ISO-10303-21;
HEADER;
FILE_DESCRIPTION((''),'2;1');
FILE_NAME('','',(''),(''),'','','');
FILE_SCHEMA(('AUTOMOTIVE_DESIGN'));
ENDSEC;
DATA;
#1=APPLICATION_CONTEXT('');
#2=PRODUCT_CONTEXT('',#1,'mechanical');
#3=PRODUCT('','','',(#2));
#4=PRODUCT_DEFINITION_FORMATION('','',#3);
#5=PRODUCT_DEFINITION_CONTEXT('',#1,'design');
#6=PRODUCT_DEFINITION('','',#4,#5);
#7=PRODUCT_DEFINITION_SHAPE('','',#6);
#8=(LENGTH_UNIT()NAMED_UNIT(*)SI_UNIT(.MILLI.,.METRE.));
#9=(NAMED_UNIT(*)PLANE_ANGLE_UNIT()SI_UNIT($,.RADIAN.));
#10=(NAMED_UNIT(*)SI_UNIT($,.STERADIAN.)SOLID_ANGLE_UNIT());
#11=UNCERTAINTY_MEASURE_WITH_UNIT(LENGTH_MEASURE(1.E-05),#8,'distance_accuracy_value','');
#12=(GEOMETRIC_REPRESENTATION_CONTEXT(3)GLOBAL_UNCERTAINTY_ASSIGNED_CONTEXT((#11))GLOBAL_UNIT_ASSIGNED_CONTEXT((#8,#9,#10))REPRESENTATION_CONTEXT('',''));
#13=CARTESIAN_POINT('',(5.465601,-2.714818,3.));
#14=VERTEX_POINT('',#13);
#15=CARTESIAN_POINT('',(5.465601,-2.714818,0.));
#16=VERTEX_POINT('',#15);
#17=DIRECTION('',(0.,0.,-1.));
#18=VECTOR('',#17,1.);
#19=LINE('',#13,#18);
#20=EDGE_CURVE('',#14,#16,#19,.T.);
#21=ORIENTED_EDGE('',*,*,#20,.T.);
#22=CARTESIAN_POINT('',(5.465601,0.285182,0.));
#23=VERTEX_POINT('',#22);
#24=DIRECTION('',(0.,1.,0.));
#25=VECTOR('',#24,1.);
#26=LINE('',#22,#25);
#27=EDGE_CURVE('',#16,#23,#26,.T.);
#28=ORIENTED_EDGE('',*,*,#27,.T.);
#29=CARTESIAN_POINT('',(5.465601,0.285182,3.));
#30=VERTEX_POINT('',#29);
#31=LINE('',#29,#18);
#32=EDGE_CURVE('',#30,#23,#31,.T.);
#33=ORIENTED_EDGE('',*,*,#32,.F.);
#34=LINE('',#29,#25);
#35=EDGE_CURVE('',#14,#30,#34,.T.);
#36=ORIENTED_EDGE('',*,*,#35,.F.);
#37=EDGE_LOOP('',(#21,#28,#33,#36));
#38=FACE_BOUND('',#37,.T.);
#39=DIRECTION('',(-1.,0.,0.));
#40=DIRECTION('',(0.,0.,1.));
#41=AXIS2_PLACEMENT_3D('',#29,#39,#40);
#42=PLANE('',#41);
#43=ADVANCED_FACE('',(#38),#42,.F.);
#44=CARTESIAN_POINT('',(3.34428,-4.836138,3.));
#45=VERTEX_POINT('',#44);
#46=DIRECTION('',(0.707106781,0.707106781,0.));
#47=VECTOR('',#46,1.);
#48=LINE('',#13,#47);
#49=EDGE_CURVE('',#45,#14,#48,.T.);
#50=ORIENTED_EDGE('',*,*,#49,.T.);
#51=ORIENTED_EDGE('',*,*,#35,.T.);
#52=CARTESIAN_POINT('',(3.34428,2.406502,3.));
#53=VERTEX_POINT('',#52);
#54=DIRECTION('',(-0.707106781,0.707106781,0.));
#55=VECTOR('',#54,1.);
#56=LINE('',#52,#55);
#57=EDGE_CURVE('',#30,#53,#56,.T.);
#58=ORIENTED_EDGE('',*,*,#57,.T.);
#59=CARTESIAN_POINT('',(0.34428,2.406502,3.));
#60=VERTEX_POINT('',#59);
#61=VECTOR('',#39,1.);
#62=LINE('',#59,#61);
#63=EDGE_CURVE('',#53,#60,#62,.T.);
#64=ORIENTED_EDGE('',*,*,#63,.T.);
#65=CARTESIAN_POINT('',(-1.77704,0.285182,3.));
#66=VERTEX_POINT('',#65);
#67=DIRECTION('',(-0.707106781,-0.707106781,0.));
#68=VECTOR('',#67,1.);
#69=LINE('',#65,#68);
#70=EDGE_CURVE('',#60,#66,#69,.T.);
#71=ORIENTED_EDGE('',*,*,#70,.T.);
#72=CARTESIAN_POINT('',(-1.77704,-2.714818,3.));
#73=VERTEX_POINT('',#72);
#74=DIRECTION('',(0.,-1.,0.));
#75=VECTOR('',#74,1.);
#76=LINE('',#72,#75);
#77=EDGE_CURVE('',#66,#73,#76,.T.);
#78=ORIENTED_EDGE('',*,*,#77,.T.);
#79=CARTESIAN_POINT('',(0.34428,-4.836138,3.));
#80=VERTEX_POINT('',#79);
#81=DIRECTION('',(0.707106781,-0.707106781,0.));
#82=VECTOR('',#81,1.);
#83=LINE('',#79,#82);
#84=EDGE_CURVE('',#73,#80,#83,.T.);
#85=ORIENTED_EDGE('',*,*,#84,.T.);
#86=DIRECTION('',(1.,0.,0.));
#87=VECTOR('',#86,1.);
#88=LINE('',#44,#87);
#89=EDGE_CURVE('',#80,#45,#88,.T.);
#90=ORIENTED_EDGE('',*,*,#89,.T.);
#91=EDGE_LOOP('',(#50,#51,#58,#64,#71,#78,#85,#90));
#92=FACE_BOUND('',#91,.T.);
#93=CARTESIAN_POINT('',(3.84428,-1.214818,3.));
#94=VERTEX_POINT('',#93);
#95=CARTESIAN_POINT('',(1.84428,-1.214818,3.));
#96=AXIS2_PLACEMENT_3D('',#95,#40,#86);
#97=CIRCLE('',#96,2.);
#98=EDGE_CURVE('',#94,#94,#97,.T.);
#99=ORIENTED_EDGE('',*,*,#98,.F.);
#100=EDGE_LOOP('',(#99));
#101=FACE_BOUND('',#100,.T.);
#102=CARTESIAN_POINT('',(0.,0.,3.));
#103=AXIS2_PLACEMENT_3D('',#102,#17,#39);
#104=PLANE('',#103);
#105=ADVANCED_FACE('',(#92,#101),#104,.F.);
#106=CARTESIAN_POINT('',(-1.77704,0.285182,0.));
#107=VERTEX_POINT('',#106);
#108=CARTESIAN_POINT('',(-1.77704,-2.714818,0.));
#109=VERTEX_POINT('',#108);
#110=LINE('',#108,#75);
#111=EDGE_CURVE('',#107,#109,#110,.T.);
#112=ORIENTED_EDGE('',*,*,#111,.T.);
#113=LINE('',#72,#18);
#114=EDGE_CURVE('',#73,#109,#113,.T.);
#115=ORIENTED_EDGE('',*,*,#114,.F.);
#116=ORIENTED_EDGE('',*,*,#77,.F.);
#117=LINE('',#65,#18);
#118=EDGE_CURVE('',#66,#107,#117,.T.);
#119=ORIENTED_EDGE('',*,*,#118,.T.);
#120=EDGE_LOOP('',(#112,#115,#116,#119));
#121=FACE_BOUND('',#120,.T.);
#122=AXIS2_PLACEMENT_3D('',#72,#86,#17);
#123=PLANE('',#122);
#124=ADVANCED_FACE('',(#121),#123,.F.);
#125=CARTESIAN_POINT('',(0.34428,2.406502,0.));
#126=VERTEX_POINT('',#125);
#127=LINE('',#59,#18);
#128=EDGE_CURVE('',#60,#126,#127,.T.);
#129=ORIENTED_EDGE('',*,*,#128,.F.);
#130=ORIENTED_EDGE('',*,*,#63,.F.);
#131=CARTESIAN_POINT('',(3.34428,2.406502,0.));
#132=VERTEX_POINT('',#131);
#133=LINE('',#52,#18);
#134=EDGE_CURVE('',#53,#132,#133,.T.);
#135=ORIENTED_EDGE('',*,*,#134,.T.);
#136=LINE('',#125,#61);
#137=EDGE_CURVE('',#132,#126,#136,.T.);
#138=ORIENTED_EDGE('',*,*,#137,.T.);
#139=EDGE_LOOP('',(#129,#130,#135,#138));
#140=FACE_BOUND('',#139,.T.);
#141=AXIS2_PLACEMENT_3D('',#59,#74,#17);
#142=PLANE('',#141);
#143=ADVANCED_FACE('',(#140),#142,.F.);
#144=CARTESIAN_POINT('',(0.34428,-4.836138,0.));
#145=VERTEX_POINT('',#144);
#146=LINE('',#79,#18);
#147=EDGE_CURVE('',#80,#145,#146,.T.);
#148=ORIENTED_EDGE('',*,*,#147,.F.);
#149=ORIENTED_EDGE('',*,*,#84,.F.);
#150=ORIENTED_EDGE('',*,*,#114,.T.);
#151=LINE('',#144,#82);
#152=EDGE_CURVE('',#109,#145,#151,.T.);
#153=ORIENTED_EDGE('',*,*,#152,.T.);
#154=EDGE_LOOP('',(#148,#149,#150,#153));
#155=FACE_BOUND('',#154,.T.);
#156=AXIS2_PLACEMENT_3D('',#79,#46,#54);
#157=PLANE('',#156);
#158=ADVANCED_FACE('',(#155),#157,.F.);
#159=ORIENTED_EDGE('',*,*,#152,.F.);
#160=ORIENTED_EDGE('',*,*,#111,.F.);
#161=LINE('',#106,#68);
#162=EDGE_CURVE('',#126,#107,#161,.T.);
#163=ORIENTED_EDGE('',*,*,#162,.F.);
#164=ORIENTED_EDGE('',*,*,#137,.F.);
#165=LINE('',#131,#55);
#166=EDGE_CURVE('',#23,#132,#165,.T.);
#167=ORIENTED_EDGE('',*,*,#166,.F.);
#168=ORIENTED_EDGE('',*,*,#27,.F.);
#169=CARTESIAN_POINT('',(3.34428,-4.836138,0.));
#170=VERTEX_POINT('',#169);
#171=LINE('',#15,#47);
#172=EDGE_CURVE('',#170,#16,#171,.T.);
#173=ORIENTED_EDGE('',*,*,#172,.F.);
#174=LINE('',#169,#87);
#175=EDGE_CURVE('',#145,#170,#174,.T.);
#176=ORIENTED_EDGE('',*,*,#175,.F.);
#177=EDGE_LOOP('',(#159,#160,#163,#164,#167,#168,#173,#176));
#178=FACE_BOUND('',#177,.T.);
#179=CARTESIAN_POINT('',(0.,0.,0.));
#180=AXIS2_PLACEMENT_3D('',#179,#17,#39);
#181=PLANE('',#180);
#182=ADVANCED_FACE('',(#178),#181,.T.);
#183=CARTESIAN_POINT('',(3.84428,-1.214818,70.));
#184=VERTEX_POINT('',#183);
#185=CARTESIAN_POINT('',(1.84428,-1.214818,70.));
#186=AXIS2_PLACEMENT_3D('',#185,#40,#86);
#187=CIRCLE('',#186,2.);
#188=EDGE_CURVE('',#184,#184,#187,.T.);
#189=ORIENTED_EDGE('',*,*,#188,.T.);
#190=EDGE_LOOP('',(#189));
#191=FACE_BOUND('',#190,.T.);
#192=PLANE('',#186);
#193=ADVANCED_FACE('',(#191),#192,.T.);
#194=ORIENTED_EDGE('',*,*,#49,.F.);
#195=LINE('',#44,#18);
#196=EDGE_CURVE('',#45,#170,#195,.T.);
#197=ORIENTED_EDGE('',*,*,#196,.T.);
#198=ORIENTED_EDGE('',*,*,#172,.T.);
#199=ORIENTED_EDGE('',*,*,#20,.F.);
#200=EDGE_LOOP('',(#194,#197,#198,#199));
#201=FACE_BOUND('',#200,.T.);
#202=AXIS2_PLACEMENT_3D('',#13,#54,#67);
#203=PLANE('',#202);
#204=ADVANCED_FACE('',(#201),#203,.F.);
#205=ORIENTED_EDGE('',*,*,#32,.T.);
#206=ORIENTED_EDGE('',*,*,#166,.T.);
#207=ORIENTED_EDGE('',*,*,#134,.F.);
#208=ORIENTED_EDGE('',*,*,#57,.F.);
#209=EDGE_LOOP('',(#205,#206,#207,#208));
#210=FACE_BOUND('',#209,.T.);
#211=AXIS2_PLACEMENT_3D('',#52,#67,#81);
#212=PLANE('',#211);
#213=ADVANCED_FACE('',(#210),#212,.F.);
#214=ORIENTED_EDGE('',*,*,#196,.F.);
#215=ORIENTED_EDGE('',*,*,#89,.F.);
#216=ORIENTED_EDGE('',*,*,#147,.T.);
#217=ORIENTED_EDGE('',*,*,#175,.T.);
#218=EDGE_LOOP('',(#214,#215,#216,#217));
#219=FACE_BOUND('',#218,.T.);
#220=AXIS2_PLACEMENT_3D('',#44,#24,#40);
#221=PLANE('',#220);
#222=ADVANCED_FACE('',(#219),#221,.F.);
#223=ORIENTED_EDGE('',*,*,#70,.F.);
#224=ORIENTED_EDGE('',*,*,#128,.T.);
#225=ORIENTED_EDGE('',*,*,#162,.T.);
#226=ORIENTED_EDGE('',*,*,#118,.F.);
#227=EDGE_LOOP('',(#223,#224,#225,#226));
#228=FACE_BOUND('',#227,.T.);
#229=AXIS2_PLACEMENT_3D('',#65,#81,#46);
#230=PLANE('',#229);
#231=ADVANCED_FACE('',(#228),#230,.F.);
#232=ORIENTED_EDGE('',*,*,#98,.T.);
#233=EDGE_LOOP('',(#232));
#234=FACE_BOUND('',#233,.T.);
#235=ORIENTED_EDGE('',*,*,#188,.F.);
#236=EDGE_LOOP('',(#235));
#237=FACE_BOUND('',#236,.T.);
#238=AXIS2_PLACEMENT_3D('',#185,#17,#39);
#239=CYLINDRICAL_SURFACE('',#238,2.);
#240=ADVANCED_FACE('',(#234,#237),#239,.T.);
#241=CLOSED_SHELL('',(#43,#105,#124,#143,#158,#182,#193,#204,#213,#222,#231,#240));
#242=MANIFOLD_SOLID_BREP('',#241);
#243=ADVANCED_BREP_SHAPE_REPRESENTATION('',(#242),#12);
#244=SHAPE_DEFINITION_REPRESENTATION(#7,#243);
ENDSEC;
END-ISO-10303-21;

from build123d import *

# Parameters (mm, degrees)
AUFSATZ_LINEAR_AUSTRAGEN1_DEPTH = 3
SKIZZE2_R                       = 2
AUFSATZ_LINEAR_AUSTRAGEN2_DEPTH = 67


with BuildPart() as part:
    # Skizze1 → Aufsatz-Linear austragen1 (new body)
    with BuildSketch(Plane.XY):
        Polygon((-1.777039873, 0.285182154), (0.34428047, 2.406502498), (3.34428047, 2.406502498), (5.465600814, 0.285182154), (5.465600814, -2.714817846), (3.34428047, -4.83613819), (0.34428047, -4.83613819), (-1.777039873, -2.714817846), align=None)
    extrude(amount=AUFSATZ_LINEAR_AUSTRAGEN1_DEPTH)

    # Skizze2 → Aufsatz-Linear austragen2 (add)
    with BuildSketch(Plane.XY.offset(3)):
        with Locations((1.84428047, -1.214817846)):
            Circle(SKIZZE2_R)
    extrude(amount=AUFSATZ_LINEAR_AUSTRAGEN2_DEPTH)


solid = part.part
